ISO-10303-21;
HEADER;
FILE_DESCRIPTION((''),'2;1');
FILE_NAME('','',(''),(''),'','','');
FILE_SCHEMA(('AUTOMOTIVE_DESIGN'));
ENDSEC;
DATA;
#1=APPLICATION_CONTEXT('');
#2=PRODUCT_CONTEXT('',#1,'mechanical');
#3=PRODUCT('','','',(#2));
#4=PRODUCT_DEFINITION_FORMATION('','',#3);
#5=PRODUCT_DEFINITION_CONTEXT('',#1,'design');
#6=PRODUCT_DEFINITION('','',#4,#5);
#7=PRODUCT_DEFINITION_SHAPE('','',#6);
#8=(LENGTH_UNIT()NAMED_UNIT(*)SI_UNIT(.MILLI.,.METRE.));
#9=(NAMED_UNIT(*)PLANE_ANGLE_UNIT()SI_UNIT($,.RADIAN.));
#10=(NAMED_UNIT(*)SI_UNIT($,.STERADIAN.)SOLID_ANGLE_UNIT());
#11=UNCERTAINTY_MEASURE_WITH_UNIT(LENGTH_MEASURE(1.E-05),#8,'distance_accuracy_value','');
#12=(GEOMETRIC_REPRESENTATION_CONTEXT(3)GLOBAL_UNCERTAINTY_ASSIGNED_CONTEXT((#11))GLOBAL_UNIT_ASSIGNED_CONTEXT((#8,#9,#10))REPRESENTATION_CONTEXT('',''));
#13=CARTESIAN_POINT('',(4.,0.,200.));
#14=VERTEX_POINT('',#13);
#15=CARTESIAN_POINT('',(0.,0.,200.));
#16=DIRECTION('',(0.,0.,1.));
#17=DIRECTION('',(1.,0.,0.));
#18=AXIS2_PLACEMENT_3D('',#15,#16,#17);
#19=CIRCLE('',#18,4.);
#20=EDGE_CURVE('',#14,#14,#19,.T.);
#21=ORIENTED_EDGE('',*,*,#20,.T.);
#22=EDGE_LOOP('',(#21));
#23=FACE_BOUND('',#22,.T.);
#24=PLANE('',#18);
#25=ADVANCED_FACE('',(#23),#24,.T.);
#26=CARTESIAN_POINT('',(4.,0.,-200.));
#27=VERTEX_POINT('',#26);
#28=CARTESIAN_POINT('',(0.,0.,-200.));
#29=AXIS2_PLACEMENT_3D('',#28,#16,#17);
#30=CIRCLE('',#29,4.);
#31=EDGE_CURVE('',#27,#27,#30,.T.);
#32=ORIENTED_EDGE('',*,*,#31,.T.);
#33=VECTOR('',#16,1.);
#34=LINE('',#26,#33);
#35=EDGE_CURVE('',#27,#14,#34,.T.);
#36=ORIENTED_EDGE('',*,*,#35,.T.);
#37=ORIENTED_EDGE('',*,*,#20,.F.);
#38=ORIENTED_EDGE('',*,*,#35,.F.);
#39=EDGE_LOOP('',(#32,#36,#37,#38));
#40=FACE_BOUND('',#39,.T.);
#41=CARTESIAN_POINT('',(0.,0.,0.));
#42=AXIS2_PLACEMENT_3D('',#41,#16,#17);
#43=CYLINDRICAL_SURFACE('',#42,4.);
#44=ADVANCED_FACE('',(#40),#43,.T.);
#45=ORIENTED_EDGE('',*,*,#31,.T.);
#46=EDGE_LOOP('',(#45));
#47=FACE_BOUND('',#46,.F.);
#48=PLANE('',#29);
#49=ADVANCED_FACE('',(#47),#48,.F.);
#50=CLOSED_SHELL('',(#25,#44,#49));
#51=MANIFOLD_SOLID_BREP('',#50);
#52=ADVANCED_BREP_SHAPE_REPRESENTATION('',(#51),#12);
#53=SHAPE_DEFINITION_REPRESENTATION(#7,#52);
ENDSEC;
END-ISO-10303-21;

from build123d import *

# Parameters (mm, degrees)
SKETCH1_R           = 4
BOSS_EXTRUDE1_DEPTH = 200


with BuildPart() as part:
    # Sketch1 → Boss-Extrude1 (new body, symmetric)
    with BuildSketch(Plane.XY):
        Circle(SKETCH1_R)
    extrude(amount=BOSS_EXTRUDE1_DEPTH, both=True)


solid = part.part
